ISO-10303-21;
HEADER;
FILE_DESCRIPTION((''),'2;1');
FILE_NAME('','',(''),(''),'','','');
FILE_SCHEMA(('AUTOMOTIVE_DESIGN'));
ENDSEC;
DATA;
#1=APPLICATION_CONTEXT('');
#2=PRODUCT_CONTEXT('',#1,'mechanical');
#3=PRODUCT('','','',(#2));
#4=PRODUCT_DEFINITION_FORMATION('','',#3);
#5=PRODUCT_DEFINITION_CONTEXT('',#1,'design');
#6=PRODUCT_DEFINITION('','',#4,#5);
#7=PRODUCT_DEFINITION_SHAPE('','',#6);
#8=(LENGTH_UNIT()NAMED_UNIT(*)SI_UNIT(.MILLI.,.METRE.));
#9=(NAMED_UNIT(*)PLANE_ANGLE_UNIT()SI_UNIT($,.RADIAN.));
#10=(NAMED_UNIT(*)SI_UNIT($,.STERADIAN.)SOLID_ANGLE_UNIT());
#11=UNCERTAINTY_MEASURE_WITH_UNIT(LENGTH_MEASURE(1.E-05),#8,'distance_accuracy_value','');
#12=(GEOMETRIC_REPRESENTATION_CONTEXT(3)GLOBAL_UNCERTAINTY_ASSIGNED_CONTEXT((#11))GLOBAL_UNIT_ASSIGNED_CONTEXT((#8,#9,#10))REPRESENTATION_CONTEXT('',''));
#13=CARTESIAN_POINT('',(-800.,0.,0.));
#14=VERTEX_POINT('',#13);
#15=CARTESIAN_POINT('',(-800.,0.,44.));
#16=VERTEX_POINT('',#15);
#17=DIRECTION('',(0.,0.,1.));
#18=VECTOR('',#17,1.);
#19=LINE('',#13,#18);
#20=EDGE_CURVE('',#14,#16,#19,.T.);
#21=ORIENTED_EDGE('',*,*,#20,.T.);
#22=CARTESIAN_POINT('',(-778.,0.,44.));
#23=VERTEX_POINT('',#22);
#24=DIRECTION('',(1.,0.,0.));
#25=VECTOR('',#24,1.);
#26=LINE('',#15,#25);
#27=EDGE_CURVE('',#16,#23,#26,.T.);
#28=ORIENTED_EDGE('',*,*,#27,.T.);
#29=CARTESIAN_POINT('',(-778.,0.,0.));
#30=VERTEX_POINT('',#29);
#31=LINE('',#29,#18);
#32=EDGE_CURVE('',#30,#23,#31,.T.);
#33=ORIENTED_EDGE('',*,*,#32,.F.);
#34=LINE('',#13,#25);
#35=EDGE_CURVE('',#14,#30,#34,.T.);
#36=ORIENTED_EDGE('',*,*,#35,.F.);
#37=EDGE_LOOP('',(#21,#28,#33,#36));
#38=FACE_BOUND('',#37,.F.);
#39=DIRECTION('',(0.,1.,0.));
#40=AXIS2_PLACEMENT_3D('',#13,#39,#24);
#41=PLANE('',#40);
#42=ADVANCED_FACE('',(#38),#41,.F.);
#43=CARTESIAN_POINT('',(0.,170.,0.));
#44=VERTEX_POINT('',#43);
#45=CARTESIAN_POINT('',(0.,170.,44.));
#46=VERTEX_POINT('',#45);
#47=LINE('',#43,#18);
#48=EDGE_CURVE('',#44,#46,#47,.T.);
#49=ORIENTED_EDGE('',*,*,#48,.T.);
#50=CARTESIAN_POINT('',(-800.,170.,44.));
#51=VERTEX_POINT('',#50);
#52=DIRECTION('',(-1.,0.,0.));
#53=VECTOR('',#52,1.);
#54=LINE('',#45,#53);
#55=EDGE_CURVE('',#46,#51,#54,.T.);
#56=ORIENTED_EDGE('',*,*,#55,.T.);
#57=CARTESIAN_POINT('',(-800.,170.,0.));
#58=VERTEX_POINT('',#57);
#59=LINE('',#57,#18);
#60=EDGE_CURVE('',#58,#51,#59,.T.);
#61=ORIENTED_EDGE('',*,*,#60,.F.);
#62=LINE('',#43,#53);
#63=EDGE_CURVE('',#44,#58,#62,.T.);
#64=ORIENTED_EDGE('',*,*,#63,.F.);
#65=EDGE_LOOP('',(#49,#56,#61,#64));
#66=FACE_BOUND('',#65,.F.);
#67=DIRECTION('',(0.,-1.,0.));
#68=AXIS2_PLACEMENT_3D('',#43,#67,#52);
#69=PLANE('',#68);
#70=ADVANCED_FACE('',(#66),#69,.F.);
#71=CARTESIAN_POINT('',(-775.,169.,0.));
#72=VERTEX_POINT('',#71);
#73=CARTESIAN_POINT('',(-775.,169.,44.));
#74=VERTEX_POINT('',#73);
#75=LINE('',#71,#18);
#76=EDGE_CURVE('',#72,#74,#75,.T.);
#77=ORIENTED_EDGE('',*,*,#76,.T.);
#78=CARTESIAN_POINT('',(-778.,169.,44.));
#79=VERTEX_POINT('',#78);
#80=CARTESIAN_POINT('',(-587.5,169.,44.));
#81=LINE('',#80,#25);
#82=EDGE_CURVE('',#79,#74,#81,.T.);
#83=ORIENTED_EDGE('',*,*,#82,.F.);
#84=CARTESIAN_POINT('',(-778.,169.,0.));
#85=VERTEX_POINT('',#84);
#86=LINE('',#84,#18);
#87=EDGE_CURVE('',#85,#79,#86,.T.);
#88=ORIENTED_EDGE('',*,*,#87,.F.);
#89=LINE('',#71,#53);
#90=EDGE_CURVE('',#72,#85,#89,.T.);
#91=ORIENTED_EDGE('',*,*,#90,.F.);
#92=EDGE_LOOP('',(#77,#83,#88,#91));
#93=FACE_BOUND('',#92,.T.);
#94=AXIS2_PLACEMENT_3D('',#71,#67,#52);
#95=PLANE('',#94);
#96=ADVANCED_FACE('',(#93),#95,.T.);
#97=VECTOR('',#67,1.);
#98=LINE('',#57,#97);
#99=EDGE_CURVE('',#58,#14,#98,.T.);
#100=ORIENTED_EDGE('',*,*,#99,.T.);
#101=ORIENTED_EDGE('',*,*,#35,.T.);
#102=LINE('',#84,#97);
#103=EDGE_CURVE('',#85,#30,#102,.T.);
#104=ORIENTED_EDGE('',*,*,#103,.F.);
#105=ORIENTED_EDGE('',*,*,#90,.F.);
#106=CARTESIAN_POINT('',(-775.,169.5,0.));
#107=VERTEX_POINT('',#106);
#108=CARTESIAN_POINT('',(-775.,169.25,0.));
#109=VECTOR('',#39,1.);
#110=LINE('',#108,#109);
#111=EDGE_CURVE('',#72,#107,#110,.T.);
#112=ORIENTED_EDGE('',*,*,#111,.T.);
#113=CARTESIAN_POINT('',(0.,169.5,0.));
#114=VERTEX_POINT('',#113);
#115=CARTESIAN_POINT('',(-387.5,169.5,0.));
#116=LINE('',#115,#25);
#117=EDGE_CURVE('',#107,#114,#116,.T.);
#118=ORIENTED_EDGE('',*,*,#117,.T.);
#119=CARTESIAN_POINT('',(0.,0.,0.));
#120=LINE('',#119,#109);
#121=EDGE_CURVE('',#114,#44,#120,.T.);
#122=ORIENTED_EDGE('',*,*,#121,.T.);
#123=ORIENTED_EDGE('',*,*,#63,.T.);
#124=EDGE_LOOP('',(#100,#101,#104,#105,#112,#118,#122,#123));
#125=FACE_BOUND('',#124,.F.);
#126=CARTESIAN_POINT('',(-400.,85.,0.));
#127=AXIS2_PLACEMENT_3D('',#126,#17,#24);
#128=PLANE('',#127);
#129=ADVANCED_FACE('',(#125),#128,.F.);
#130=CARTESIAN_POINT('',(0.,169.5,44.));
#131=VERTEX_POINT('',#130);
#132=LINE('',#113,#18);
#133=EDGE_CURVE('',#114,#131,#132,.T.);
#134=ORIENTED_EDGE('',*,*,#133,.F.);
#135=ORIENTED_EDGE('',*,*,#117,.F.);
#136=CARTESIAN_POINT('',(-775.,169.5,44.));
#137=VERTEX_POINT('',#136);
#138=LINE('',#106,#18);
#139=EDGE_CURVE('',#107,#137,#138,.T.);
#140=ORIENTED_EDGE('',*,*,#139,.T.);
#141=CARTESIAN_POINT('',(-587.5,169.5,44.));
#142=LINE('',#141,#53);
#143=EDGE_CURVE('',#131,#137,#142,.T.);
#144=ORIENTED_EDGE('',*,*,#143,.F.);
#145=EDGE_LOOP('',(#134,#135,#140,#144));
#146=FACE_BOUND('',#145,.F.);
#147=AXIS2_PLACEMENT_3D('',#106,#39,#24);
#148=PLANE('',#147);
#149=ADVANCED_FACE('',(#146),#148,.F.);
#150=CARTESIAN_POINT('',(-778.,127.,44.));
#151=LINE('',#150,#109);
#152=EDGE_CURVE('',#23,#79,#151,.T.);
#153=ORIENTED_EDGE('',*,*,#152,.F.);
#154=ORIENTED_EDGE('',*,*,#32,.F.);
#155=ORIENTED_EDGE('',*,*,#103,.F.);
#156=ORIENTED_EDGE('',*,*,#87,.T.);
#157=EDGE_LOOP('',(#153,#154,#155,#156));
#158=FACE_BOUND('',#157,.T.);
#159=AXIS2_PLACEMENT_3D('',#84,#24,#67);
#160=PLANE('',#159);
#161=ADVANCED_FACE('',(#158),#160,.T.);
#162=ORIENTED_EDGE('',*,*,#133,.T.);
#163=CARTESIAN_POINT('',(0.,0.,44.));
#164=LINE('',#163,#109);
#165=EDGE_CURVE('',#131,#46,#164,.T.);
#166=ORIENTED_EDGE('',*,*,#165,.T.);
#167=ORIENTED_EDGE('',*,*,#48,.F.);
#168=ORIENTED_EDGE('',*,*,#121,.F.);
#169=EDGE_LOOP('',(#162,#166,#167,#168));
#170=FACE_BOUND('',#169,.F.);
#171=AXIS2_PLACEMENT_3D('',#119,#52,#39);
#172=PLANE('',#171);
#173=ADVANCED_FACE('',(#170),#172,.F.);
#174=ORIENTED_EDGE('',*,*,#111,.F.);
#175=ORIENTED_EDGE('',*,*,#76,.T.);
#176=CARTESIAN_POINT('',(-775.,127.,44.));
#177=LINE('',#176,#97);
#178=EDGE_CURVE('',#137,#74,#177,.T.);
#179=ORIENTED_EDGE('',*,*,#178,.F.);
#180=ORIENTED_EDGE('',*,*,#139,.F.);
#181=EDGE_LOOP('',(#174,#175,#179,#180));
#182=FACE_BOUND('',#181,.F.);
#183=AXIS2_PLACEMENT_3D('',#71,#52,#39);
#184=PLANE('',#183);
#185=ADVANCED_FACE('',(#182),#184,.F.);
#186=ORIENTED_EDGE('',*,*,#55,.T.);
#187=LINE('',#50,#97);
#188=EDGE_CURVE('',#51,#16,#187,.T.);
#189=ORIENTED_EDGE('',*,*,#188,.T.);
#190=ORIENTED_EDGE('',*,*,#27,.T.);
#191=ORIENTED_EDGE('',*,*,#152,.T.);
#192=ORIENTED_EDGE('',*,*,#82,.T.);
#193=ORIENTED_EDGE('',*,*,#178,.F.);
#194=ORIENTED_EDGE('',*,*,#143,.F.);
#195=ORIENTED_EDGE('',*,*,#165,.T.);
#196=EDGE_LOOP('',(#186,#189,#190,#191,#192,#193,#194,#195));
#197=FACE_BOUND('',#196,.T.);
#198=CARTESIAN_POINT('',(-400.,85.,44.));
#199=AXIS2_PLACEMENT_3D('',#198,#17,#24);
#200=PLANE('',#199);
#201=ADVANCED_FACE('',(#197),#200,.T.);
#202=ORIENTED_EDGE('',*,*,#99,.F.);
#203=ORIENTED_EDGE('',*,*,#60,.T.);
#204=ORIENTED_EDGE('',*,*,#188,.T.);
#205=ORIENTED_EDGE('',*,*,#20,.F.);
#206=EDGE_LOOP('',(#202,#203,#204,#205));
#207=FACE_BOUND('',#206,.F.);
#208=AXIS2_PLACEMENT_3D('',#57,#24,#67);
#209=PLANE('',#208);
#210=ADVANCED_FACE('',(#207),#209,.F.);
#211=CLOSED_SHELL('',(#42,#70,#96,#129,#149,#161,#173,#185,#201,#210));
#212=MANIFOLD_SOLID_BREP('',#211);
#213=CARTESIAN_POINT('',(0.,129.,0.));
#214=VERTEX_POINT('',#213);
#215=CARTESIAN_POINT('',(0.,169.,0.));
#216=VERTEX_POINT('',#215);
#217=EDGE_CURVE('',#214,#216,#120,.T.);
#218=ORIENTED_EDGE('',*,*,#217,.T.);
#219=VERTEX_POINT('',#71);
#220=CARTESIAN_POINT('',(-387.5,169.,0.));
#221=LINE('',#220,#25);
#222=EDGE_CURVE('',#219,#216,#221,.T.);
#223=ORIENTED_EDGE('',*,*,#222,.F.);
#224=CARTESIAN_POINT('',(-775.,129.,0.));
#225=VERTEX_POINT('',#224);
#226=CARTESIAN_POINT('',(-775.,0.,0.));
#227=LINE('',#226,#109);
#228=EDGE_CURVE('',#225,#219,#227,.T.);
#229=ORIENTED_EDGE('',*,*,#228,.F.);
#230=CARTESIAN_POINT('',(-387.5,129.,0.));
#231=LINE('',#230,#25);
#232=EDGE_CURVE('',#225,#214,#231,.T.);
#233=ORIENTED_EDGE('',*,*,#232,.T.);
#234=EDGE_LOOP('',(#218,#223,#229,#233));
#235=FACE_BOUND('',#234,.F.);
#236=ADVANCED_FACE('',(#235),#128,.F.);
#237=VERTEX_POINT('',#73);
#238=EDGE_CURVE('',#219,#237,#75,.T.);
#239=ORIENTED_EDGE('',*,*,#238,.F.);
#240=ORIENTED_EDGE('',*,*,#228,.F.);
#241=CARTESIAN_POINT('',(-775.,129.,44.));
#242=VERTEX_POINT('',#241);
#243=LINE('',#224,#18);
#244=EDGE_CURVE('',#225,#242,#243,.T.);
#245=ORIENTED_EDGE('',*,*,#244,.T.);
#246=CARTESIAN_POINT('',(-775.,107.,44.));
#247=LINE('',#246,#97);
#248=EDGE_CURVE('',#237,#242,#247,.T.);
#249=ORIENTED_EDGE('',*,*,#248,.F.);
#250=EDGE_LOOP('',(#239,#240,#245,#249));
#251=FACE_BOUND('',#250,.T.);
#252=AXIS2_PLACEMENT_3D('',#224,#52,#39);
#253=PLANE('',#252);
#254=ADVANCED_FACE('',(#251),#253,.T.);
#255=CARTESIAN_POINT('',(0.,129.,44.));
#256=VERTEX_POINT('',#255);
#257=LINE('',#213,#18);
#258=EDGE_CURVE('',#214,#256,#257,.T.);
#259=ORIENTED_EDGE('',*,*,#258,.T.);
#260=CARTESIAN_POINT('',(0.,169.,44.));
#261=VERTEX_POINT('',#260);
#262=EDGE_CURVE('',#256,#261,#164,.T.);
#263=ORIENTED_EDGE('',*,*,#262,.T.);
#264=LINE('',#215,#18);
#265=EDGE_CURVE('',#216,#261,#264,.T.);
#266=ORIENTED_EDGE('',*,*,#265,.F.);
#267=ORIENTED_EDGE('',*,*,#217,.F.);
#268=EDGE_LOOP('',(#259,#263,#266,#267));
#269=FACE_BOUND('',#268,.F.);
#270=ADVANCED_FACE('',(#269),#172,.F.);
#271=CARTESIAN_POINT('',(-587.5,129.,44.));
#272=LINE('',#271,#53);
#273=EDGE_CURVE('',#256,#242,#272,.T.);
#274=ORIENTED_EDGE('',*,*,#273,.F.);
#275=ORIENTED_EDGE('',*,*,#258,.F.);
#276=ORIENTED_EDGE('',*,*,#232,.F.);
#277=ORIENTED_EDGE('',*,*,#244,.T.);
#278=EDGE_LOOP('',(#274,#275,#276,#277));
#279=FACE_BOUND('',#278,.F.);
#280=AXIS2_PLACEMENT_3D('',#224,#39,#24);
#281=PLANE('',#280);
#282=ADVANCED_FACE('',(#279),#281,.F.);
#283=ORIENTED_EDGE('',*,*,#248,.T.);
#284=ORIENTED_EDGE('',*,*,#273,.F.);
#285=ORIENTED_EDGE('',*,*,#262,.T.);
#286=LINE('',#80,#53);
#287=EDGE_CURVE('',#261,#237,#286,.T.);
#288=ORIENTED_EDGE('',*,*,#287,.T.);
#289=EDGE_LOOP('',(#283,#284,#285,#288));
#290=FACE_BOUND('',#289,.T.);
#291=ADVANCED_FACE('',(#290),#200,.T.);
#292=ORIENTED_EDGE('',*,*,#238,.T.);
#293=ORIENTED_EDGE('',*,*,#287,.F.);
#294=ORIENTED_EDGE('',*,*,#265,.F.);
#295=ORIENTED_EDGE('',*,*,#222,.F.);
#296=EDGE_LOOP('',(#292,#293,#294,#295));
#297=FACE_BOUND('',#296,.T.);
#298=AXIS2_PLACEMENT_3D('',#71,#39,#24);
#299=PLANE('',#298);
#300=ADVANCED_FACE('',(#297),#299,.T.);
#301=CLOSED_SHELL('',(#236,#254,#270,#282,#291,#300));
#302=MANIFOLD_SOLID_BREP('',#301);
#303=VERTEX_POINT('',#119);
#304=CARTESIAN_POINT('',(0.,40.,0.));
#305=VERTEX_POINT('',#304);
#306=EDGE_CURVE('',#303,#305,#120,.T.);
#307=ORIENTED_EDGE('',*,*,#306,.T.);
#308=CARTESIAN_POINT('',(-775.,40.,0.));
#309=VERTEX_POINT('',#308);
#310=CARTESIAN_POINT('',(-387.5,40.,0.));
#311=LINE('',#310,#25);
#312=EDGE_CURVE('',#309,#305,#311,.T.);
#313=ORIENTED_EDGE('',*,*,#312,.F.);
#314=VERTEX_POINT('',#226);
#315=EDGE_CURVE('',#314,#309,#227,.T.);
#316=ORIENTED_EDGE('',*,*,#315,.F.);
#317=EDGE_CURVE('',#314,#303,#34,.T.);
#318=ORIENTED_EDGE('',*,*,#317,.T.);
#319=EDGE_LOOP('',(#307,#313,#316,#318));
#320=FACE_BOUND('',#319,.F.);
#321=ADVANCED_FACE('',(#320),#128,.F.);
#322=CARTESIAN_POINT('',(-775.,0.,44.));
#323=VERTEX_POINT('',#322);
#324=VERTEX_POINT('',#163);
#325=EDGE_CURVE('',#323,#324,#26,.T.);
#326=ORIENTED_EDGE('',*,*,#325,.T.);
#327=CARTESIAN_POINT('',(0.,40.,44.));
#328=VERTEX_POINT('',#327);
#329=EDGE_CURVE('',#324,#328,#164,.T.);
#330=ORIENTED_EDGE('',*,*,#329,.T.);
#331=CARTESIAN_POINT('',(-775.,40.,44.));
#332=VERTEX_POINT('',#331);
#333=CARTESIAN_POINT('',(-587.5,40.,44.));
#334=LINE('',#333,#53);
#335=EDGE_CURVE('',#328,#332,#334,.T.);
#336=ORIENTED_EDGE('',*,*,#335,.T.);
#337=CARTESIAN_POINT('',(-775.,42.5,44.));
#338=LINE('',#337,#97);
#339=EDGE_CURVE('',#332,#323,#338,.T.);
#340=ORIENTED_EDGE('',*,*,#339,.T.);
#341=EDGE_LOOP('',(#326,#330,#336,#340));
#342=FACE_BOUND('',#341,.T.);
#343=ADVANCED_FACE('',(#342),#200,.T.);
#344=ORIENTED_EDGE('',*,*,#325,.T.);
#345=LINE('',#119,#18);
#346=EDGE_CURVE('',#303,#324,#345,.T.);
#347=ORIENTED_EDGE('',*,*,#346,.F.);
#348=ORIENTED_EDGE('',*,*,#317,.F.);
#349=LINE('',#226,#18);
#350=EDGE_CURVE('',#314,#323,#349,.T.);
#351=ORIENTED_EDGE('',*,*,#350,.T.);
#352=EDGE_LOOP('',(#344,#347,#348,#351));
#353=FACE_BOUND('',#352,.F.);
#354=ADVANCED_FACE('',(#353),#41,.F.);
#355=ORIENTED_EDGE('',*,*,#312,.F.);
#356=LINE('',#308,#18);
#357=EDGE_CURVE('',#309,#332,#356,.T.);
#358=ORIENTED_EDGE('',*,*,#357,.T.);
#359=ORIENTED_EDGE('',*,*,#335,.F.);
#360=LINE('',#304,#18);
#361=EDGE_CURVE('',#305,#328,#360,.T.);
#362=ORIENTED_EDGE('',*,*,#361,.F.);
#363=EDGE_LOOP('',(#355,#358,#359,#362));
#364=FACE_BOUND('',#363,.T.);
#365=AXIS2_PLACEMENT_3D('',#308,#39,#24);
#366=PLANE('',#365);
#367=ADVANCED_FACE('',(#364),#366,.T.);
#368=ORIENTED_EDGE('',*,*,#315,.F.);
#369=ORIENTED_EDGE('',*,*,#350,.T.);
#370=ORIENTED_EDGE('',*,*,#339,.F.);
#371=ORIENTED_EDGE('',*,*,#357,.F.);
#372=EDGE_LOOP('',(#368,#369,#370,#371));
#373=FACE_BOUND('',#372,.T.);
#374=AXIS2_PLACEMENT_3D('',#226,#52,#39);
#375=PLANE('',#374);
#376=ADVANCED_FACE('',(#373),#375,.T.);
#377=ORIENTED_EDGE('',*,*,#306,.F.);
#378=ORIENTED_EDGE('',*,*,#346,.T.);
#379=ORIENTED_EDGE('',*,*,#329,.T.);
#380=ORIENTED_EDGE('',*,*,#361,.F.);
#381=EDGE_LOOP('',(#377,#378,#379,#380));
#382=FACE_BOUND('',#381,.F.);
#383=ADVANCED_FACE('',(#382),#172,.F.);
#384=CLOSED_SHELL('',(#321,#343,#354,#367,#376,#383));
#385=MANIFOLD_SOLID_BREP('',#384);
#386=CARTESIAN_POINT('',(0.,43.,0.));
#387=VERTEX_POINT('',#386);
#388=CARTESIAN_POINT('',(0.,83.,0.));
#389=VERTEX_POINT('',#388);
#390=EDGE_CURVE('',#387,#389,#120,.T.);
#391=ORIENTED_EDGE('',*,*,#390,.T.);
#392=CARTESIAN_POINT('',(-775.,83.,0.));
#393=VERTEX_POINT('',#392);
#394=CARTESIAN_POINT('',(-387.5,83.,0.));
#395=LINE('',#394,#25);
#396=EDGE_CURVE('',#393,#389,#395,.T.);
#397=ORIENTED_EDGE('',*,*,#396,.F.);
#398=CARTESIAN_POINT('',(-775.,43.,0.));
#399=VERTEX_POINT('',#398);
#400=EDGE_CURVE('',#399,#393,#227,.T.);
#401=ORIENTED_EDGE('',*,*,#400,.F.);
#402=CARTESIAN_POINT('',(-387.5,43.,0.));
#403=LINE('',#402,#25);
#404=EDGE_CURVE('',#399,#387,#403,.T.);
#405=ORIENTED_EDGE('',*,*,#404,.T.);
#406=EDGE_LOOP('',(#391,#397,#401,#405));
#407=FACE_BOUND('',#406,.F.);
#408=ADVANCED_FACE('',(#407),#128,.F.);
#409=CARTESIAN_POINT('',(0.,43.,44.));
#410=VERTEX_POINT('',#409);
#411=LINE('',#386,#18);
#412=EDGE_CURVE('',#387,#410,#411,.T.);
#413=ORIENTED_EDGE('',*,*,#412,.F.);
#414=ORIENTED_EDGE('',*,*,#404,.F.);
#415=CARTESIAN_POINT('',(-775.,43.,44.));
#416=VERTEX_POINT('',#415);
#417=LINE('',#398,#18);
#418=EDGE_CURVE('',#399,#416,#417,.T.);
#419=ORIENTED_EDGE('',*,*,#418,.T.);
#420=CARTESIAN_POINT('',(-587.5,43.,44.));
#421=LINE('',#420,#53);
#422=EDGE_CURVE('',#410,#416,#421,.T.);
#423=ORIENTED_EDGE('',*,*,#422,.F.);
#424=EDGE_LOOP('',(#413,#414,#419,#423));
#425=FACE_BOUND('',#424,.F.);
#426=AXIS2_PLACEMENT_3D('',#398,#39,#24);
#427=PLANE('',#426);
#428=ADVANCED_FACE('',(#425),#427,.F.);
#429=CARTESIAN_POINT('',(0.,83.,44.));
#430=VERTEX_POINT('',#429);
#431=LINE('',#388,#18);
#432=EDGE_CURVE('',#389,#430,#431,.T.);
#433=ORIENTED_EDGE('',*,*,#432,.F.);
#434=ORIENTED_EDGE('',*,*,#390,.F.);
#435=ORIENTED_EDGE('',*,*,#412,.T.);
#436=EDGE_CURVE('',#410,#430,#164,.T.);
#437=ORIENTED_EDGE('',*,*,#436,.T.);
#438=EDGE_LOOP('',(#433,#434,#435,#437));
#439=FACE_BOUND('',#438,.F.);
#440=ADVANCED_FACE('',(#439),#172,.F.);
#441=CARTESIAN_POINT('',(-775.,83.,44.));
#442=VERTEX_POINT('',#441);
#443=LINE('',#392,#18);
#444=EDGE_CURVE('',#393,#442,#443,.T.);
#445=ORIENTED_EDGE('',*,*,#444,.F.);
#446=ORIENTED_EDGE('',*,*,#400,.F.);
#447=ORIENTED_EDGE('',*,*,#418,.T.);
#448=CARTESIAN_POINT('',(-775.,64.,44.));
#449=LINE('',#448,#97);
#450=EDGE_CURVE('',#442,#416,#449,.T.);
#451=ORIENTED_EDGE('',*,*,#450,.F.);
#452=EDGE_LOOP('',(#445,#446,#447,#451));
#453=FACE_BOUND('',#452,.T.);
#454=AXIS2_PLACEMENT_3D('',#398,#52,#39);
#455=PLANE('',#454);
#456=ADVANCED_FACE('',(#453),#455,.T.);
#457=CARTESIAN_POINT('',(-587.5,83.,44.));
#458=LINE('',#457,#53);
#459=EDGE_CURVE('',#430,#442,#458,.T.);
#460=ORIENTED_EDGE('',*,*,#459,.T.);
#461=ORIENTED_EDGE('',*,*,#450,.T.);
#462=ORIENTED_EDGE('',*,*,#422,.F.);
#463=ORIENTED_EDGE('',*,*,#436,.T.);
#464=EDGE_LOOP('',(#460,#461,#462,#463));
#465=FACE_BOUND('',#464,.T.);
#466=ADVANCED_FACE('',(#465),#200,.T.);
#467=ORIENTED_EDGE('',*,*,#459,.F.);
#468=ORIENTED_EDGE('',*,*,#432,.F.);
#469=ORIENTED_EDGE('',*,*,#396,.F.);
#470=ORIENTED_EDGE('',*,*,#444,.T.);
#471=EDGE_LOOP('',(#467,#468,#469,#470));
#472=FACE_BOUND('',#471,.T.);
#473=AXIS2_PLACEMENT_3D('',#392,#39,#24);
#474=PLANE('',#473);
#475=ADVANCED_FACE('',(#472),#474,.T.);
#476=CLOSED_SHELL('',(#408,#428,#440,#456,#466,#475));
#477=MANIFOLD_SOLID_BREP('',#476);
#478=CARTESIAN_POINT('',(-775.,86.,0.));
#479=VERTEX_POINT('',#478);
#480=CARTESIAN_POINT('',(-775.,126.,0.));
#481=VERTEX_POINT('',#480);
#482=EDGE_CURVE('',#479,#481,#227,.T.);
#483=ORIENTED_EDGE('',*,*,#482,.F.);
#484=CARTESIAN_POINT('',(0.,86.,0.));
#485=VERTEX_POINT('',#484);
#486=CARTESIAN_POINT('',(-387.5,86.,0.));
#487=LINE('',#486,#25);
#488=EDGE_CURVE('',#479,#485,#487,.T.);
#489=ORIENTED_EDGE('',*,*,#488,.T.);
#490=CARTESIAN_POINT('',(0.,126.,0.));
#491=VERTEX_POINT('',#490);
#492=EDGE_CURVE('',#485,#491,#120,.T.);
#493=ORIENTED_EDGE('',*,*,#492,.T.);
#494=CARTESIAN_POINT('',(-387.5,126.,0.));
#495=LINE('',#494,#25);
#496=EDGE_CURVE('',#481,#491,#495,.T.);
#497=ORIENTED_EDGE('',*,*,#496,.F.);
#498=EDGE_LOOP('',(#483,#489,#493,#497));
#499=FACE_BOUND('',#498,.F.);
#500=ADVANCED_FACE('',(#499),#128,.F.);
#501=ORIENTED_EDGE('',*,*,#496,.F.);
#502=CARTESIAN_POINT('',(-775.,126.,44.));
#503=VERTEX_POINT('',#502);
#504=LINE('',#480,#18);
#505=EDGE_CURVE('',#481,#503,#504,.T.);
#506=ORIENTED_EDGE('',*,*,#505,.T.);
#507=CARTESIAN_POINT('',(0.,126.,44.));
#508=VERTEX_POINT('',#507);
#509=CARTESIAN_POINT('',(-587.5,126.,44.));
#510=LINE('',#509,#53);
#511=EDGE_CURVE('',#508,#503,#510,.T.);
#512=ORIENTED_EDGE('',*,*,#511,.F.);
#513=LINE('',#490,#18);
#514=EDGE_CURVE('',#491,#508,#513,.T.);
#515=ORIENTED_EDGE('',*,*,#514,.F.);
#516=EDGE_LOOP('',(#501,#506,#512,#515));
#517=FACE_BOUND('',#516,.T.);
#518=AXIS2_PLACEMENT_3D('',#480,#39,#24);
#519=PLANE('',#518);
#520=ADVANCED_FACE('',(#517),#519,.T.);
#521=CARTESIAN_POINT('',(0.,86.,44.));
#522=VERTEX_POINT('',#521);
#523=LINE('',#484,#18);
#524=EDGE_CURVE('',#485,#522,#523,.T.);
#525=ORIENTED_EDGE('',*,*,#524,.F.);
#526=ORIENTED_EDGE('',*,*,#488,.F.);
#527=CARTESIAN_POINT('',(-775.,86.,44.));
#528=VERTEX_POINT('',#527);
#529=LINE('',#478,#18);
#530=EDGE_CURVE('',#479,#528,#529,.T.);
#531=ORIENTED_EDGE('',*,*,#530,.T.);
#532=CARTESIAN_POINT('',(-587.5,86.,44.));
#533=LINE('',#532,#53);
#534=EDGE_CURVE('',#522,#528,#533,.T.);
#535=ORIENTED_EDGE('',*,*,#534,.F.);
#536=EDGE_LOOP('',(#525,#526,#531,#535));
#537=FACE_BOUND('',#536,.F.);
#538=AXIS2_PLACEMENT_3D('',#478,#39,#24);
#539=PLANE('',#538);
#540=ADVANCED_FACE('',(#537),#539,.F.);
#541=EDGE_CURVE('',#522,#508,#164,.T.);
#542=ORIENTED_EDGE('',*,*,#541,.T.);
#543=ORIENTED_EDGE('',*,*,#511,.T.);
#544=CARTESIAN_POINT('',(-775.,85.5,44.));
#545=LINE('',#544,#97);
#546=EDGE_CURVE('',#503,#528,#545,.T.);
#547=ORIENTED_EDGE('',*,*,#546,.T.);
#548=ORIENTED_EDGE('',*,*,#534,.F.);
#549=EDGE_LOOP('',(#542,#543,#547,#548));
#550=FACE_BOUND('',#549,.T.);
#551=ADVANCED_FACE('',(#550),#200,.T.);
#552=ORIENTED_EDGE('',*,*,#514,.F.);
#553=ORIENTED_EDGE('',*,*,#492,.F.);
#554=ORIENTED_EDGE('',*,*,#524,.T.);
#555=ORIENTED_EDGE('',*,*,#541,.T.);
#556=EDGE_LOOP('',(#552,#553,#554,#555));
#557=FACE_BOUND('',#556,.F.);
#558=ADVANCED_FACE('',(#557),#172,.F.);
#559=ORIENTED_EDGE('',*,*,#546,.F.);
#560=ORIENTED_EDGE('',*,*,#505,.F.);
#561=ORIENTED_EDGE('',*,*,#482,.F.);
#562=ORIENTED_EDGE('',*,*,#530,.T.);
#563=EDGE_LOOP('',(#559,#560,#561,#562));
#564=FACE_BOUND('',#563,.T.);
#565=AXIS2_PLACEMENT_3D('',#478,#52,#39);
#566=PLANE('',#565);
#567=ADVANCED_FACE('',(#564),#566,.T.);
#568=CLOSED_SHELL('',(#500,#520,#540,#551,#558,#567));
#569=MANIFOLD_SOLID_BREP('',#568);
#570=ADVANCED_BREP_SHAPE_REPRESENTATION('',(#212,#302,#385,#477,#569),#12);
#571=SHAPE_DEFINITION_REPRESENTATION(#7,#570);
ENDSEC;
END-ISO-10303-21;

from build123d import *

# Parameters (mm, degrees)
F1_DEPTH = 44
F2_W     = 775
F2_H     = 0.5
F2_H_2   = 3
F3_DEPTH = 134


with BuildPart() as f1:
    # F0 (on Top) → F1 (new body)
    with BuildSketch(Plane.XY):
        Polygon((-800, 0), (0, 0), (0, 40), (0, 43), (0, 83), (0, 86), (0, 170), (-800, 170), align=None)
    extrude(amount=F1_DEPTH)

    # F2 (on Top) → F3 (cut)
    with BuildSketch(Plane.XY):
        Polygon((-775, 129), (-775, 169), (-778, 169), (-778, 0), (-775, 0), (-775, 40), (-775, 43), (-775, 83), (-775, 86), (-775, 126), align=None)
        with Locations((-387.5, 169.25)):
            Rectangle(F2_W, F2_H)
        with Locations((-387.5, 127.5)):
            Rectangle(F2_W, F2_H_2)
        with Locations((-387.5, 84.5)):
            Rectangle(F2_W, F2_H_2)
        with Locations((-387.5, 41.5)):
            Rectangle(F2_W, F2_H_2)
    extrude(amount=F3_DEPTH, mode=Mode.SUBTRACT)


solid = f1.part
